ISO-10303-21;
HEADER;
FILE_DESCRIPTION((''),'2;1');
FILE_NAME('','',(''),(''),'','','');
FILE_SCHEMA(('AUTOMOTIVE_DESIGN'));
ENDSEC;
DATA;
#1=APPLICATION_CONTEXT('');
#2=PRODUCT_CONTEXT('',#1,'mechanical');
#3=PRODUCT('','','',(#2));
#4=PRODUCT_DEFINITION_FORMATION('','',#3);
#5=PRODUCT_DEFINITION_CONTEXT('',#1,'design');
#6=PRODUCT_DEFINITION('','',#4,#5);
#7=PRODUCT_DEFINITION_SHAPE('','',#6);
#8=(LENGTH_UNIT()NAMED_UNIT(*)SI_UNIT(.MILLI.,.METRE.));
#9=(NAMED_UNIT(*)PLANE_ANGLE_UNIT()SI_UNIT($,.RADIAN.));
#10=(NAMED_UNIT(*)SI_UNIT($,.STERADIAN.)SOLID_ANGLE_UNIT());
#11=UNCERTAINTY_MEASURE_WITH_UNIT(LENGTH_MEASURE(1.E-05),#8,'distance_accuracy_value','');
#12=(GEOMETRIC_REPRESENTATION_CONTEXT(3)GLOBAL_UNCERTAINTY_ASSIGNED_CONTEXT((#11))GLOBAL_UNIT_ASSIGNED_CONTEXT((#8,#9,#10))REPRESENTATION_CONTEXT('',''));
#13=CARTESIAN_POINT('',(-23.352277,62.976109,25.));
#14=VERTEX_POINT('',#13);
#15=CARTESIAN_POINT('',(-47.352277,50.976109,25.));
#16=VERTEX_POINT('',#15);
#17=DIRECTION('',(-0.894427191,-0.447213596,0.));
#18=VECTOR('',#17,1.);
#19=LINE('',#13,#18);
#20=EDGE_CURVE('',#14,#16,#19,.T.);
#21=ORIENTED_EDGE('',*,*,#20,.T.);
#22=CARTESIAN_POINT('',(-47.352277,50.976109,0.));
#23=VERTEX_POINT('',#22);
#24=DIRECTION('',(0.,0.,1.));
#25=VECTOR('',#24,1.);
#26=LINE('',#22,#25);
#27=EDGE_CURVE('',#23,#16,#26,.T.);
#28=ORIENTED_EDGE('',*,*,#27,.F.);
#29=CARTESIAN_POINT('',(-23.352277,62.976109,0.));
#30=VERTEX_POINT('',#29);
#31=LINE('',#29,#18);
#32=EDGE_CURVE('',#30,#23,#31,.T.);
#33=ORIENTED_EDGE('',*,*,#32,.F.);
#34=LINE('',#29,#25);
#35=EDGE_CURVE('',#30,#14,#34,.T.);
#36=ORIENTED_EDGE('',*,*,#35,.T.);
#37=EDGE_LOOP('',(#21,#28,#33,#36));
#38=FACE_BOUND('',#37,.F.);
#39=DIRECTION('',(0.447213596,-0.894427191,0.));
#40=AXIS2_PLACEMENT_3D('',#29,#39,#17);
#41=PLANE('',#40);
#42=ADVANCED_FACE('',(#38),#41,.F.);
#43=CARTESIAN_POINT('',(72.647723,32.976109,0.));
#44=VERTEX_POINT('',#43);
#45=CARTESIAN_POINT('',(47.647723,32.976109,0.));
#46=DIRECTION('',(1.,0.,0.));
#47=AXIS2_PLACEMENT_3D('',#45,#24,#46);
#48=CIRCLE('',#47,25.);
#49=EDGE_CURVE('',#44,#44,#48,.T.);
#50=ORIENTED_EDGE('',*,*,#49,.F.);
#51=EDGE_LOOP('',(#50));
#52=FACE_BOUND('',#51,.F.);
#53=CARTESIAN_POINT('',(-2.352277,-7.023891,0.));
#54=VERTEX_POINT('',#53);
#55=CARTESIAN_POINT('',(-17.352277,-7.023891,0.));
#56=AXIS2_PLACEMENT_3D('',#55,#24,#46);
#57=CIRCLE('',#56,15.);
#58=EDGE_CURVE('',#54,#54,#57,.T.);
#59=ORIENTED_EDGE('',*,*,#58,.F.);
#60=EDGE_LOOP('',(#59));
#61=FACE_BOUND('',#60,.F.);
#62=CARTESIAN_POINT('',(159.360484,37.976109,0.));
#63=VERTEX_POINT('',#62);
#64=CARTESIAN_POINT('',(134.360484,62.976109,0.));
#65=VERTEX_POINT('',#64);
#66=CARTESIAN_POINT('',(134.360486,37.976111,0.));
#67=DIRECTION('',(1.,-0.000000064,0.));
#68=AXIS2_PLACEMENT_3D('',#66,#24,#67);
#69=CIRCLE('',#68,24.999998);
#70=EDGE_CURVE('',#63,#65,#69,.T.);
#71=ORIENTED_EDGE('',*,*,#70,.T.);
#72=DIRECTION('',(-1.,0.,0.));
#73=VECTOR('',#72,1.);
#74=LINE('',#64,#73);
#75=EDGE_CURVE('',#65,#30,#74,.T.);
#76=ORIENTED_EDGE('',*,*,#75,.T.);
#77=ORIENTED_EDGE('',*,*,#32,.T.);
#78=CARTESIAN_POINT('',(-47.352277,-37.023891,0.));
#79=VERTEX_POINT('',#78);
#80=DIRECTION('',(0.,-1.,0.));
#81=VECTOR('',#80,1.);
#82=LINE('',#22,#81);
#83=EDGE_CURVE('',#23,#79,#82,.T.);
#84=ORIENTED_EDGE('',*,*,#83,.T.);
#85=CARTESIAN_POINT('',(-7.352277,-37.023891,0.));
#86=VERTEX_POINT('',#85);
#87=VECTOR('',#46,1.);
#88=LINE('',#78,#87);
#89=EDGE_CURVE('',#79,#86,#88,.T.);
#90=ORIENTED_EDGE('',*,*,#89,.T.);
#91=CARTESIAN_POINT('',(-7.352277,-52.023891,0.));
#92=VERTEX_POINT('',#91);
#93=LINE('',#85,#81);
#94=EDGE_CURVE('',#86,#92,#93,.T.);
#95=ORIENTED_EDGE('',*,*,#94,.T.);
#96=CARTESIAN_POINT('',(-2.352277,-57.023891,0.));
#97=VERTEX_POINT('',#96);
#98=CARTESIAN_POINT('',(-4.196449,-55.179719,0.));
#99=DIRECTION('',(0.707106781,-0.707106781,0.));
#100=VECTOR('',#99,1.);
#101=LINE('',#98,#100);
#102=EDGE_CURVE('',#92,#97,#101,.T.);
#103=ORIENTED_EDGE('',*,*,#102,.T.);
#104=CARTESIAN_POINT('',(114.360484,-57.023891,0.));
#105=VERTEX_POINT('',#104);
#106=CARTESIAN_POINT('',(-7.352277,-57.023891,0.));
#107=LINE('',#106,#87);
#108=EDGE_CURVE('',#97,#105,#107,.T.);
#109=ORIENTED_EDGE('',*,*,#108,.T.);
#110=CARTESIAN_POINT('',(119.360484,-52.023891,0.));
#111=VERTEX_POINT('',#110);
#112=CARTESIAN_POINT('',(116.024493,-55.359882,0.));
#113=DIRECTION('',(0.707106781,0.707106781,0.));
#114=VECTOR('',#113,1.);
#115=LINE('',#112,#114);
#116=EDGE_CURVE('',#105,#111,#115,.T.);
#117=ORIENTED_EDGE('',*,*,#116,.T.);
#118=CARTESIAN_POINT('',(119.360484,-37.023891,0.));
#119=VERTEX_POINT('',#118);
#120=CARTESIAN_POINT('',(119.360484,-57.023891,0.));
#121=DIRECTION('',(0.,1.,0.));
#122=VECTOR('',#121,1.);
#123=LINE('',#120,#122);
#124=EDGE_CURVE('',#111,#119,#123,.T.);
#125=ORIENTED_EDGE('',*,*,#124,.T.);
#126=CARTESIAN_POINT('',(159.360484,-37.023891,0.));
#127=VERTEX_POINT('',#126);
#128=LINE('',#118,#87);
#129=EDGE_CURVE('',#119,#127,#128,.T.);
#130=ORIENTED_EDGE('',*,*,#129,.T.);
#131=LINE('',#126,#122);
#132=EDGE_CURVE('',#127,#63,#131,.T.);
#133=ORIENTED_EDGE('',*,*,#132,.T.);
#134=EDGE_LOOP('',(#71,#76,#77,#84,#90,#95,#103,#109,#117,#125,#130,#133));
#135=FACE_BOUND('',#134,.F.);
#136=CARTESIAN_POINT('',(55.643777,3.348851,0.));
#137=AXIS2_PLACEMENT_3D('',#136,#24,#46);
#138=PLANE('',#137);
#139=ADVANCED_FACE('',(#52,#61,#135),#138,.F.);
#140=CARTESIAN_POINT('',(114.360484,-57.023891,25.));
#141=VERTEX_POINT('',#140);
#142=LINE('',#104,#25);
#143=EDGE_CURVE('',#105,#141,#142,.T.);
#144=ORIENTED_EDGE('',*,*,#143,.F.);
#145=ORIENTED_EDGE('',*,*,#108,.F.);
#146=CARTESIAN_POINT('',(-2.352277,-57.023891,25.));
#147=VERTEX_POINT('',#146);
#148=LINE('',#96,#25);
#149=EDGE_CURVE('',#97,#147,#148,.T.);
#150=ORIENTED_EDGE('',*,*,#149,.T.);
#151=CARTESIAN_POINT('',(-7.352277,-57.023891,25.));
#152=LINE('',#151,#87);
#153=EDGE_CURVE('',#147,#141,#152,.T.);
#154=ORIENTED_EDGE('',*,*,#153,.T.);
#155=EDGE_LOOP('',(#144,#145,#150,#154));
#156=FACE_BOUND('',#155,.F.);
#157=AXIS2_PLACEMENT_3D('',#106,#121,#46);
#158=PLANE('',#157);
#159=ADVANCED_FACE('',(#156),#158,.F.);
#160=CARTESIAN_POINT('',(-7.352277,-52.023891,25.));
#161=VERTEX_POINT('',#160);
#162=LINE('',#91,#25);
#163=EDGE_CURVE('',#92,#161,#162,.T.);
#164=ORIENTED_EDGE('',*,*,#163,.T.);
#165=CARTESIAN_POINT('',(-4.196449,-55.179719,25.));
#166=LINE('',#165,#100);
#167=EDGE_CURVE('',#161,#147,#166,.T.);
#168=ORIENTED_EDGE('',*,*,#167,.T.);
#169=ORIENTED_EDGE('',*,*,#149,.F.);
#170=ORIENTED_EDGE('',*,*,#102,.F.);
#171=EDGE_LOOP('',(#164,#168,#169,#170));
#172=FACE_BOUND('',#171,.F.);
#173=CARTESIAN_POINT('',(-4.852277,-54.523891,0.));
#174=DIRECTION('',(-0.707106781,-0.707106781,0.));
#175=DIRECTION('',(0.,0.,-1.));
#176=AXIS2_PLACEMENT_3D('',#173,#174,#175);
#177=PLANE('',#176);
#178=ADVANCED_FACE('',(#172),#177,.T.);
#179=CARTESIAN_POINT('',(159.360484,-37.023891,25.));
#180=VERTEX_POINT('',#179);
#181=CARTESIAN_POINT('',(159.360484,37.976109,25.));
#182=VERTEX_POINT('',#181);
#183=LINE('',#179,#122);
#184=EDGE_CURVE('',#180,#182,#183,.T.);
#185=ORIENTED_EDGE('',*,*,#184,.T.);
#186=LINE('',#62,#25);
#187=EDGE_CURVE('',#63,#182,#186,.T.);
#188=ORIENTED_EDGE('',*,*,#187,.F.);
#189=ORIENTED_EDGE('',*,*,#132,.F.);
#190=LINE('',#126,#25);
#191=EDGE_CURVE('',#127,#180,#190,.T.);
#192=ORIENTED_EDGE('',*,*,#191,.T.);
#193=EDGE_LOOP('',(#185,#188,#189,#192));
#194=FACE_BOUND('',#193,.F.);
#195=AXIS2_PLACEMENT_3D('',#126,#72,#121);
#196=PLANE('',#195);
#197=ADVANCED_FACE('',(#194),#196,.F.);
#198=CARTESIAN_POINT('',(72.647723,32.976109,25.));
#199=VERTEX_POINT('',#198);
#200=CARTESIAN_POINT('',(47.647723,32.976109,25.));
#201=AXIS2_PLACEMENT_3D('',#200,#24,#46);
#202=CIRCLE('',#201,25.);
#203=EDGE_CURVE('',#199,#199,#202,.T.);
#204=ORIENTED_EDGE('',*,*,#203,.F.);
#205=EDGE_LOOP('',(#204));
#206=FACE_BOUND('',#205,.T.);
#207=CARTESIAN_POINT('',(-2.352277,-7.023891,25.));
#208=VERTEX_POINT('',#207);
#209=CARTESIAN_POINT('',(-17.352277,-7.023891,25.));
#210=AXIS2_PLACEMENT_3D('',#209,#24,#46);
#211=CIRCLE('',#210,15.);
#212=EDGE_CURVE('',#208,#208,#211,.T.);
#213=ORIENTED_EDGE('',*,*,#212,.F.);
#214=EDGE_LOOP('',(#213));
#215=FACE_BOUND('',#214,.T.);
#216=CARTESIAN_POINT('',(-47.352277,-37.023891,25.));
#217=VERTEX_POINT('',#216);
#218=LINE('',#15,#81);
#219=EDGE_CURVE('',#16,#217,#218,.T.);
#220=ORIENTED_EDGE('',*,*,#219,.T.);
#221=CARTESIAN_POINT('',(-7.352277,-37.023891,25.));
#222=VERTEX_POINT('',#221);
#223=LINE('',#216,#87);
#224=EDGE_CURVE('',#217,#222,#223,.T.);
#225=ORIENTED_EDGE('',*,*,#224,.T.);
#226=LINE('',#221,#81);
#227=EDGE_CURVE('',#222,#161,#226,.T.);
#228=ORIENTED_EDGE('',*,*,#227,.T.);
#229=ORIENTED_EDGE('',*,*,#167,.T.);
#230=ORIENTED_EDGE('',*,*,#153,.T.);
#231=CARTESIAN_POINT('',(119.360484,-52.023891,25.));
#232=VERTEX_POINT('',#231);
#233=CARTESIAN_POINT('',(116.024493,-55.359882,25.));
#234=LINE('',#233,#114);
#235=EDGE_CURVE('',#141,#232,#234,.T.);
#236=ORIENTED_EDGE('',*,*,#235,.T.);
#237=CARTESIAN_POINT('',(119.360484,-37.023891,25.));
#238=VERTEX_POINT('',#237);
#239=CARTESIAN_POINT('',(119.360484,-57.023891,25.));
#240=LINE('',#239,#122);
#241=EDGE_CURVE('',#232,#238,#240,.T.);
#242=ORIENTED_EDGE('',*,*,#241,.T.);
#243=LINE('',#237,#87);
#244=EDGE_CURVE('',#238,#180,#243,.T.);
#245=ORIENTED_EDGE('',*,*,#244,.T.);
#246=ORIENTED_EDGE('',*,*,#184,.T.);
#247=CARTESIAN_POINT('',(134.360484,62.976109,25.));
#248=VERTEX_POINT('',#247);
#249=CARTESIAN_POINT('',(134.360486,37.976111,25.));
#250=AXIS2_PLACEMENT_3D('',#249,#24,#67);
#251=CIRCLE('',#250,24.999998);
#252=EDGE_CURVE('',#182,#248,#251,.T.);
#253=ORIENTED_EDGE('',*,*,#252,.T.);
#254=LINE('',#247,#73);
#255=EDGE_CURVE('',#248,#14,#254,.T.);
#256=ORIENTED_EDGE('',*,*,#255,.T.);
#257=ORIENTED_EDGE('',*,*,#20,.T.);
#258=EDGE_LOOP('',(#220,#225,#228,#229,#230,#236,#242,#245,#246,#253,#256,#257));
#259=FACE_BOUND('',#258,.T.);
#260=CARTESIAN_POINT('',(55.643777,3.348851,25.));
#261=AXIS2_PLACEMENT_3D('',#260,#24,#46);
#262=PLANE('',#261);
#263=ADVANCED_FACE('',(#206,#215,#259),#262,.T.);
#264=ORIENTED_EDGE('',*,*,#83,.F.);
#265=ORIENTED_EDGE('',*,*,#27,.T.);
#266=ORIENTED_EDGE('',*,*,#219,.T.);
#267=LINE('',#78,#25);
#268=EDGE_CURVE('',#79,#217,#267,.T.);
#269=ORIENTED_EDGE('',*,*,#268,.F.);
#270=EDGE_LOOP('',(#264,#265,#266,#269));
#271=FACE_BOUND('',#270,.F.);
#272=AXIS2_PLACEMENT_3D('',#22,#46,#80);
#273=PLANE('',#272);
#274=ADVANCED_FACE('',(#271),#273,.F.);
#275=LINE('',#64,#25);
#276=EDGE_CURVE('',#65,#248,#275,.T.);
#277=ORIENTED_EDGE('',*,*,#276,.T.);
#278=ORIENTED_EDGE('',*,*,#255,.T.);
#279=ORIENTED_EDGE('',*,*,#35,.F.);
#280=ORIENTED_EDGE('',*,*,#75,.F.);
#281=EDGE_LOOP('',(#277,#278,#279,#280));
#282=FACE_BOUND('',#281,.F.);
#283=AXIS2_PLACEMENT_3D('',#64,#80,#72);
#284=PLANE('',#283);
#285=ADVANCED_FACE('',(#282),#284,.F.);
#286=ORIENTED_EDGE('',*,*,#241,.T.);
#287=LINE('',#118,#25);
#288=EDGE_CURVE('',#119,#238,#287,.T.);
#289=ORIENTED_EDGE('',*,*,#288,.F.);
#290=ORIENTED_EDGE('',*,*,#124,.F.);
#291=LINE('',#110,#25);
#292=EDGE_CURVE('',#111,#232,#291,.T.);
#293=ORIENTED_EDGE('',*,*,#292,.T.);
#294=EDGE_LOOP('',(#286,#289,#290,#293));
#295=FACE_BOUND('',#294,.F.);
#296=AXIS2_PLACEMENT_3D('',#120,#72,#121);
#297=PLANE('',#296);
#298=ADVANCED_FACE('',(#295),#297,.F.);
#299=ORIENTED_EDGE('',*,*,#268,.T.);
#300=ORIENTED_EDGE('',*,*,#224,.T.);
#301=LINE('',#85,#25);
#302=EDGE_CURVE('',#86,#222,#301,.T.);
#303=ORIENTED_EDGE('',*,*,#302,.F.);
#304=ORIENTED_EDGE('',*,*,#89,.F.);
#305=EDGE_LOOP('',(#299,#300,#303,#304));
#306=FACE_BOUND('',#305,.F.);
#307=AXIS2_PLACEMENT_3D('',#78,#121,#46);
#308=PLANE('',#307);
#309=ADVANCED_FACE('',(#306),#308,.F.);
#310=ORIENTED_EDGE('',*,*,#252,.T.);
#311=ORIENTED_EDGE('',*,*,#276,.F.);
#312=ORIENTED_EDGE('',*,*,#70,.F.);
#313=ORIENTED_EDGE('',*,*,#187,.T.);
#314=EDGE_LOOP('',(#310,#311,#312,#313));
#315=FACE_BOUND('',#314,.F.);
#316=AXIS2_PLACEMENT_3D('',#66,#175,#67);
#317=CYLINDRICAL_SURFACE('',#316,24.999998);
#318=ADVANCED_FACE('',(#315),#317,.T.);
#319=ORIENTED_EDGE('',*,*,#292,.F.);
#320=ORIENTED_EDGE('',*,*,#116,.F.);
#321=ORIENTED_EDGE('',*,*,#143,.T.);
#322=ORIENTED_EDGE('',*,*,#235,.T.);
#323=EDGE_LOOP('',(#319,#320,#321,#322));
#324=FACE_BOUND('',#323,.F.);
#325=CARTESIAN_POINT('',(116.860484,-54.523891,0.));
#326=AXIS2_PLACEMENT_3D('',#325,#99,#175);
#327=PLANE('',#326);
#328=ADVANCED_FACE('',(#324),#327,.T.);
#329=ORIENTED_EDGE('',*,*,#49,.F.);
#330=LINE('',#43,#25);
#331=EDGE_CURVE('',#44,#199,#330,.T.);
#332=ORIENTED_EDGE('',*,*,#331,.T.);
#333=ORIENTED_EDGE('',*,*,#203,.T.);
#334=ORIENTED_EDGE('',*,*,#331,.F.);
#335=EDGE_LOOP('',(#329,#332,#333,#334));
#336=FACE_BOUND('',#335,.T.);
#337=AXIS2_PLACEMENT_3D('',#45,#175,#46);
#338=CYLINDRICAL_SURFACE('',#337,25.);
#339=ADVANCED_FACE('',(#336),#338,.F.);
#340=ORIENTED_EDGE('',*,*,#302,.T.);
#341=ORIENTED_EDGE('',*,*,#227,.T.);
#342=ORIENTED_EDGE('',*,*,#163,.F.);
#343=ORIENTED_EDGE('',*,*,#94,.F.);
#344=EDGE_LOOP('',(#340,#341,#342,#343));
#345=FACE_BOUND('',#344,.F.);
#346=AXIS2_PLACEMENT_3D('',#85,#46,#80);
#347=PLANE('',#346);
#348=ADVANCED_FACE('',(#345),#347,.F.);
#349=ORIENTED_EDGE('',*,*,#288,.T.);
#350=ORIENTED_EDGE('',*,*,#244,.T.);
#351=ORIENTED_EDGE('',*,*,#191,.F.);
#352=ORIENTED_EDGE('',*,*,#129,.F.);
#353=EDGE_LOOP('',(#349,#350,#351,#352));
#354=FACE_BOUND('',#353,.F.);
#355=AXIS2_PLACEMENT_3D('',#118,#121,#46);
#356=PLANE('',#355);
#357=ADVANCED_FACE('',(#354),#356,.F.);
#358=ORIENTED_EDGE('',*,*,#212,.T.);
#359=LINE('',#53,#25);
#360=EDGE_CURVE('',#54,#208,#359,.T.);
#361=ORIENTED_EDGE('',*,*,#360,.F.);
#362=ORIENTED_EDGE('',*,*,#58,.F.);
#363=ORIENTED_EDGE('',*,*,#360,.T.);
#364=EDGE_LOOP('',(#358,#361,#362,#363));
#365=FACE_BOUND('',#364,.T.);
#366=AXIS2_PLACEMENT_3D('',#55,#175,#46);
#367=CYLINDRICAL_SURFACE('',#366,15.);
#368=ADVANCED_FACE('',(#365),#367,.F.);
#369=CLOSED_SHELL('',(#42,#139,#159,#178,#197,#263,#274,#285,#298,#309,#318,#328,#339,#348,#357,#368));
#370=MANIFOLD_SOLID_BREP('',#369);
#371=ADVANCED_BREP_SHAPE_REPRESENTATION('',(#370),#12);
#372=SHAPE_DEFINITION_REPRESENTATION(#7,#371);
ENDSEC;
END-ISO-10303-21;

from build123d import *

# Parameters (mm, degrees)
F0_R     = 15
F0_R_2   = 25
F1_DEPTH = 25
F2_SIZE  = 5


with BuildPart() as f1:
    # F0 (on Top) → F1 (new body)
    with BuildSketch(Plane.XY):
        with BuildLine():
            Line((-23.352277, 62.976109), (-47.352277, 50.976109))
            Line((-47.352277, 50.976109), (-47.352277, -7.023891))
            Line((-47.352277, -7.023891), (-47.352277, -37.023891))
            Line((-47.352277, -37.023891), (-17.352277, -37.023891))
            Line((-17.352277, -37.023891), (-7.352277, -37.023891))
            Line((-7.352277, -37.023891), (-7.352277, -57.023891))
            Line((-7.352277, -57.023891), (119.360484, -57.023891))
            Line((119.360484, -57.023891), (119.360484, -37.023891))
            Line((119.360484, -37.023891), (159.360484, -37.023891))
            Line((159.360484, -37.023891), (159.360484, 37.976109))
            ThreePointArc((159.360484, 37.976109), (152.038154, 55.653779), (134.360484, 62.976109))
            Line((134.360484, 62.976109), (-23.352277, 62.976109))
        make_face()
        with Locations((-17.352277, -7.023891)):
            Circle(F0_R, mode=Mode.SUBTRACT)
        with Locations((47.647723, 32.976109)):
            Circle(F0_R_2, mode=Mode.SUBTRACT)
    extrude(amount=F1_DEPTH)

    # F2
    f2_edges = [f1.edges().sort_by_distance(p)[0] for p in [
        (-7.352277, -57.023891, 12.5),
        (119.360484, -57.023891, 12.5),
    ]]
    chamfer(f2_edges, length=F2_SIZE)


solid = f1.part
